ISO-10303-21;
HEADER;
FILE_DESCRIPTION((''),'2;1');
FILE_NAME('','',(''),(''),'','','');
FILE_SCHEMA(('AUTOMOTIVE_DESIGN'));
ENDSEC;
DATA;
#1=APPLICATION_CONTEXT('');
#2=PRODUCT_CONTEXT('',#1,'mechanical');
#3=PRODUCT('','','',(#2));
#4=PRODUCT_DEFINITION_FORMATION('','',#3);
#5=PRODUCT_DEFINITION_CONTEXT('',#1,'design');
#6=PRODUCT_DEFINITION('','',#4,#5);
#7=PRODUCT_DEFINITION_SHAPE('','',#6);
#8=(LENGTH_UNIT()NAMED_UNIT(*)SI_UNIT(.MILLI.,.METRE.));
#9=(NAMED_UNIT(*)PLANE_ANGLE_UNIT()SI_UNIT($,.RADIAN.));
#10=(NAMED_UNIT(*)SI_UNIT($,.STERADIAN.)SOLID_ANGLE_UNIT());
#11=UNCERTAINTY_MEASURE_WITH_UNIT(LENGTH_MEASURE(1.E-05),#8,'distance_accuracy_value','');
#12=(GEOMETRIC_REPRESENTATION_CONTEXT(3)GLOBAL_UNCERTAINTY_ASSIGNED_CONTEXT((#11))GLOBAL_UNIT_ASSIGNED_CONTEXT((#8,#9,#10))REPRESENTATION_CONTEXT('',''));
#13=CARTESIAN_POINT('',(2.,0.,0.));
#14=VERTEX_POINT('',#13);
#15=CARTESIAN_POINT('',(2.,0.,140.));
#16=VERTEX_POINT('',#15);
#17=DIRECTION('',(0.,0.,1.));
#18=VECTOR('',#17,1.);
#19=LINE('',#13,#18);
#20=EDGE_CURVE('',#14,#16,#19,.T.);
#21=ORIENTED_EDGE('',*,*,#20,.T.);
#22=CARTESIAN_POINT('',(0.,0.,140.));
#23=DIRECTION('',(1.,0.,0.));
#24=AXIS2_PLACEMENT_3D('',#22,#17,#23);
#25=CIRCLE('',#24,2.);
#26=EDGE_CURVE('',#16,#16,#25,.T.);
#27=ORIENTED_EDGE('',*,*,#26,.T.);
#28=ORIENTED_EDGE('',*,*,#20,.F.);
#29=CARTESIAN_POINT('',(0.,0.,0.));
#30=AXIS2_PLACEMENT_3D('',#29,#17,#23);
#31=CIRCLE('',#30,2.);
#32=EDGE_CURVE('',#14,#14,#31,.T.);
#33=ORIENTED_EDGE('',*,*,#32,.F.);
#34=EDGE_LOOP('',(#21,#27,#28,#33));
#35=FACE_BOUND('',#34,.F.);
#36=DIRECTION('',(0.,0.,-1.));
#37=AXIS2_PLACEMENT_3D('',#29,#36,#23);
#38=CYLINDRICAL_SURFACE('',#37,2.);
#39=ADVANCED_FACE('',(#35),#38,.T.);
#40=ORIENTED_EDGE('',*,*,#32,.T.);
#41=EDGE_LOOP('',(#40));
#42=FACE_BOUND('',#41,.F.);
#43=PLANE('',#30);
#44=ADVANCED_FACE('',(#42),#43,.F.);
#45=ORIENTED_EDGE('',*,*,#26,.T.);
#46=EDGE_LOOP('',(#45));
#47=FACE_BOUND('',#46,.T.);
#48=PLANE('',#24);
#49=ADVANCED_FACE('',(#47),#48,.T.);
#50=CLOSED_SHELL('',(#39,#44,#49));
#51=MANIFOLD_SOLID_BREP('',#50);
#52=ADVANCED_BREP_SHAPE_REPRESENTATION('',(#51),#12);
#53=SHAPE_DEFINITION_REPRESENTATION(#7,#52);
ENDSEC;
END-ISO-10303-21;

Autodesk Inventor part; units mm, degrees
ref_plane "YZ Plane" through (0, 0, 0) normal (1, 0, 0) x (0, 1, 0)
ref_plane "XZ Plane" through (0, 0, 0) normal (0, 1, 0) x (-1, 0, 0)
ref_plane "XY Plane" through (0, 0, 0) normal (0, 0, 1) x (1, 0, 0)
sketch "Sketch1" plane through (0, 0, 0) normal (0, 0, 1) x (1, 0, 0)
  circle A0 centre (0, 0) radius 2
  dimension "d0" = 4
extrude "Extrusion1" add sketch "Sketch1" along normal blind 140
properties part number "4mm x 140mm Rod"
